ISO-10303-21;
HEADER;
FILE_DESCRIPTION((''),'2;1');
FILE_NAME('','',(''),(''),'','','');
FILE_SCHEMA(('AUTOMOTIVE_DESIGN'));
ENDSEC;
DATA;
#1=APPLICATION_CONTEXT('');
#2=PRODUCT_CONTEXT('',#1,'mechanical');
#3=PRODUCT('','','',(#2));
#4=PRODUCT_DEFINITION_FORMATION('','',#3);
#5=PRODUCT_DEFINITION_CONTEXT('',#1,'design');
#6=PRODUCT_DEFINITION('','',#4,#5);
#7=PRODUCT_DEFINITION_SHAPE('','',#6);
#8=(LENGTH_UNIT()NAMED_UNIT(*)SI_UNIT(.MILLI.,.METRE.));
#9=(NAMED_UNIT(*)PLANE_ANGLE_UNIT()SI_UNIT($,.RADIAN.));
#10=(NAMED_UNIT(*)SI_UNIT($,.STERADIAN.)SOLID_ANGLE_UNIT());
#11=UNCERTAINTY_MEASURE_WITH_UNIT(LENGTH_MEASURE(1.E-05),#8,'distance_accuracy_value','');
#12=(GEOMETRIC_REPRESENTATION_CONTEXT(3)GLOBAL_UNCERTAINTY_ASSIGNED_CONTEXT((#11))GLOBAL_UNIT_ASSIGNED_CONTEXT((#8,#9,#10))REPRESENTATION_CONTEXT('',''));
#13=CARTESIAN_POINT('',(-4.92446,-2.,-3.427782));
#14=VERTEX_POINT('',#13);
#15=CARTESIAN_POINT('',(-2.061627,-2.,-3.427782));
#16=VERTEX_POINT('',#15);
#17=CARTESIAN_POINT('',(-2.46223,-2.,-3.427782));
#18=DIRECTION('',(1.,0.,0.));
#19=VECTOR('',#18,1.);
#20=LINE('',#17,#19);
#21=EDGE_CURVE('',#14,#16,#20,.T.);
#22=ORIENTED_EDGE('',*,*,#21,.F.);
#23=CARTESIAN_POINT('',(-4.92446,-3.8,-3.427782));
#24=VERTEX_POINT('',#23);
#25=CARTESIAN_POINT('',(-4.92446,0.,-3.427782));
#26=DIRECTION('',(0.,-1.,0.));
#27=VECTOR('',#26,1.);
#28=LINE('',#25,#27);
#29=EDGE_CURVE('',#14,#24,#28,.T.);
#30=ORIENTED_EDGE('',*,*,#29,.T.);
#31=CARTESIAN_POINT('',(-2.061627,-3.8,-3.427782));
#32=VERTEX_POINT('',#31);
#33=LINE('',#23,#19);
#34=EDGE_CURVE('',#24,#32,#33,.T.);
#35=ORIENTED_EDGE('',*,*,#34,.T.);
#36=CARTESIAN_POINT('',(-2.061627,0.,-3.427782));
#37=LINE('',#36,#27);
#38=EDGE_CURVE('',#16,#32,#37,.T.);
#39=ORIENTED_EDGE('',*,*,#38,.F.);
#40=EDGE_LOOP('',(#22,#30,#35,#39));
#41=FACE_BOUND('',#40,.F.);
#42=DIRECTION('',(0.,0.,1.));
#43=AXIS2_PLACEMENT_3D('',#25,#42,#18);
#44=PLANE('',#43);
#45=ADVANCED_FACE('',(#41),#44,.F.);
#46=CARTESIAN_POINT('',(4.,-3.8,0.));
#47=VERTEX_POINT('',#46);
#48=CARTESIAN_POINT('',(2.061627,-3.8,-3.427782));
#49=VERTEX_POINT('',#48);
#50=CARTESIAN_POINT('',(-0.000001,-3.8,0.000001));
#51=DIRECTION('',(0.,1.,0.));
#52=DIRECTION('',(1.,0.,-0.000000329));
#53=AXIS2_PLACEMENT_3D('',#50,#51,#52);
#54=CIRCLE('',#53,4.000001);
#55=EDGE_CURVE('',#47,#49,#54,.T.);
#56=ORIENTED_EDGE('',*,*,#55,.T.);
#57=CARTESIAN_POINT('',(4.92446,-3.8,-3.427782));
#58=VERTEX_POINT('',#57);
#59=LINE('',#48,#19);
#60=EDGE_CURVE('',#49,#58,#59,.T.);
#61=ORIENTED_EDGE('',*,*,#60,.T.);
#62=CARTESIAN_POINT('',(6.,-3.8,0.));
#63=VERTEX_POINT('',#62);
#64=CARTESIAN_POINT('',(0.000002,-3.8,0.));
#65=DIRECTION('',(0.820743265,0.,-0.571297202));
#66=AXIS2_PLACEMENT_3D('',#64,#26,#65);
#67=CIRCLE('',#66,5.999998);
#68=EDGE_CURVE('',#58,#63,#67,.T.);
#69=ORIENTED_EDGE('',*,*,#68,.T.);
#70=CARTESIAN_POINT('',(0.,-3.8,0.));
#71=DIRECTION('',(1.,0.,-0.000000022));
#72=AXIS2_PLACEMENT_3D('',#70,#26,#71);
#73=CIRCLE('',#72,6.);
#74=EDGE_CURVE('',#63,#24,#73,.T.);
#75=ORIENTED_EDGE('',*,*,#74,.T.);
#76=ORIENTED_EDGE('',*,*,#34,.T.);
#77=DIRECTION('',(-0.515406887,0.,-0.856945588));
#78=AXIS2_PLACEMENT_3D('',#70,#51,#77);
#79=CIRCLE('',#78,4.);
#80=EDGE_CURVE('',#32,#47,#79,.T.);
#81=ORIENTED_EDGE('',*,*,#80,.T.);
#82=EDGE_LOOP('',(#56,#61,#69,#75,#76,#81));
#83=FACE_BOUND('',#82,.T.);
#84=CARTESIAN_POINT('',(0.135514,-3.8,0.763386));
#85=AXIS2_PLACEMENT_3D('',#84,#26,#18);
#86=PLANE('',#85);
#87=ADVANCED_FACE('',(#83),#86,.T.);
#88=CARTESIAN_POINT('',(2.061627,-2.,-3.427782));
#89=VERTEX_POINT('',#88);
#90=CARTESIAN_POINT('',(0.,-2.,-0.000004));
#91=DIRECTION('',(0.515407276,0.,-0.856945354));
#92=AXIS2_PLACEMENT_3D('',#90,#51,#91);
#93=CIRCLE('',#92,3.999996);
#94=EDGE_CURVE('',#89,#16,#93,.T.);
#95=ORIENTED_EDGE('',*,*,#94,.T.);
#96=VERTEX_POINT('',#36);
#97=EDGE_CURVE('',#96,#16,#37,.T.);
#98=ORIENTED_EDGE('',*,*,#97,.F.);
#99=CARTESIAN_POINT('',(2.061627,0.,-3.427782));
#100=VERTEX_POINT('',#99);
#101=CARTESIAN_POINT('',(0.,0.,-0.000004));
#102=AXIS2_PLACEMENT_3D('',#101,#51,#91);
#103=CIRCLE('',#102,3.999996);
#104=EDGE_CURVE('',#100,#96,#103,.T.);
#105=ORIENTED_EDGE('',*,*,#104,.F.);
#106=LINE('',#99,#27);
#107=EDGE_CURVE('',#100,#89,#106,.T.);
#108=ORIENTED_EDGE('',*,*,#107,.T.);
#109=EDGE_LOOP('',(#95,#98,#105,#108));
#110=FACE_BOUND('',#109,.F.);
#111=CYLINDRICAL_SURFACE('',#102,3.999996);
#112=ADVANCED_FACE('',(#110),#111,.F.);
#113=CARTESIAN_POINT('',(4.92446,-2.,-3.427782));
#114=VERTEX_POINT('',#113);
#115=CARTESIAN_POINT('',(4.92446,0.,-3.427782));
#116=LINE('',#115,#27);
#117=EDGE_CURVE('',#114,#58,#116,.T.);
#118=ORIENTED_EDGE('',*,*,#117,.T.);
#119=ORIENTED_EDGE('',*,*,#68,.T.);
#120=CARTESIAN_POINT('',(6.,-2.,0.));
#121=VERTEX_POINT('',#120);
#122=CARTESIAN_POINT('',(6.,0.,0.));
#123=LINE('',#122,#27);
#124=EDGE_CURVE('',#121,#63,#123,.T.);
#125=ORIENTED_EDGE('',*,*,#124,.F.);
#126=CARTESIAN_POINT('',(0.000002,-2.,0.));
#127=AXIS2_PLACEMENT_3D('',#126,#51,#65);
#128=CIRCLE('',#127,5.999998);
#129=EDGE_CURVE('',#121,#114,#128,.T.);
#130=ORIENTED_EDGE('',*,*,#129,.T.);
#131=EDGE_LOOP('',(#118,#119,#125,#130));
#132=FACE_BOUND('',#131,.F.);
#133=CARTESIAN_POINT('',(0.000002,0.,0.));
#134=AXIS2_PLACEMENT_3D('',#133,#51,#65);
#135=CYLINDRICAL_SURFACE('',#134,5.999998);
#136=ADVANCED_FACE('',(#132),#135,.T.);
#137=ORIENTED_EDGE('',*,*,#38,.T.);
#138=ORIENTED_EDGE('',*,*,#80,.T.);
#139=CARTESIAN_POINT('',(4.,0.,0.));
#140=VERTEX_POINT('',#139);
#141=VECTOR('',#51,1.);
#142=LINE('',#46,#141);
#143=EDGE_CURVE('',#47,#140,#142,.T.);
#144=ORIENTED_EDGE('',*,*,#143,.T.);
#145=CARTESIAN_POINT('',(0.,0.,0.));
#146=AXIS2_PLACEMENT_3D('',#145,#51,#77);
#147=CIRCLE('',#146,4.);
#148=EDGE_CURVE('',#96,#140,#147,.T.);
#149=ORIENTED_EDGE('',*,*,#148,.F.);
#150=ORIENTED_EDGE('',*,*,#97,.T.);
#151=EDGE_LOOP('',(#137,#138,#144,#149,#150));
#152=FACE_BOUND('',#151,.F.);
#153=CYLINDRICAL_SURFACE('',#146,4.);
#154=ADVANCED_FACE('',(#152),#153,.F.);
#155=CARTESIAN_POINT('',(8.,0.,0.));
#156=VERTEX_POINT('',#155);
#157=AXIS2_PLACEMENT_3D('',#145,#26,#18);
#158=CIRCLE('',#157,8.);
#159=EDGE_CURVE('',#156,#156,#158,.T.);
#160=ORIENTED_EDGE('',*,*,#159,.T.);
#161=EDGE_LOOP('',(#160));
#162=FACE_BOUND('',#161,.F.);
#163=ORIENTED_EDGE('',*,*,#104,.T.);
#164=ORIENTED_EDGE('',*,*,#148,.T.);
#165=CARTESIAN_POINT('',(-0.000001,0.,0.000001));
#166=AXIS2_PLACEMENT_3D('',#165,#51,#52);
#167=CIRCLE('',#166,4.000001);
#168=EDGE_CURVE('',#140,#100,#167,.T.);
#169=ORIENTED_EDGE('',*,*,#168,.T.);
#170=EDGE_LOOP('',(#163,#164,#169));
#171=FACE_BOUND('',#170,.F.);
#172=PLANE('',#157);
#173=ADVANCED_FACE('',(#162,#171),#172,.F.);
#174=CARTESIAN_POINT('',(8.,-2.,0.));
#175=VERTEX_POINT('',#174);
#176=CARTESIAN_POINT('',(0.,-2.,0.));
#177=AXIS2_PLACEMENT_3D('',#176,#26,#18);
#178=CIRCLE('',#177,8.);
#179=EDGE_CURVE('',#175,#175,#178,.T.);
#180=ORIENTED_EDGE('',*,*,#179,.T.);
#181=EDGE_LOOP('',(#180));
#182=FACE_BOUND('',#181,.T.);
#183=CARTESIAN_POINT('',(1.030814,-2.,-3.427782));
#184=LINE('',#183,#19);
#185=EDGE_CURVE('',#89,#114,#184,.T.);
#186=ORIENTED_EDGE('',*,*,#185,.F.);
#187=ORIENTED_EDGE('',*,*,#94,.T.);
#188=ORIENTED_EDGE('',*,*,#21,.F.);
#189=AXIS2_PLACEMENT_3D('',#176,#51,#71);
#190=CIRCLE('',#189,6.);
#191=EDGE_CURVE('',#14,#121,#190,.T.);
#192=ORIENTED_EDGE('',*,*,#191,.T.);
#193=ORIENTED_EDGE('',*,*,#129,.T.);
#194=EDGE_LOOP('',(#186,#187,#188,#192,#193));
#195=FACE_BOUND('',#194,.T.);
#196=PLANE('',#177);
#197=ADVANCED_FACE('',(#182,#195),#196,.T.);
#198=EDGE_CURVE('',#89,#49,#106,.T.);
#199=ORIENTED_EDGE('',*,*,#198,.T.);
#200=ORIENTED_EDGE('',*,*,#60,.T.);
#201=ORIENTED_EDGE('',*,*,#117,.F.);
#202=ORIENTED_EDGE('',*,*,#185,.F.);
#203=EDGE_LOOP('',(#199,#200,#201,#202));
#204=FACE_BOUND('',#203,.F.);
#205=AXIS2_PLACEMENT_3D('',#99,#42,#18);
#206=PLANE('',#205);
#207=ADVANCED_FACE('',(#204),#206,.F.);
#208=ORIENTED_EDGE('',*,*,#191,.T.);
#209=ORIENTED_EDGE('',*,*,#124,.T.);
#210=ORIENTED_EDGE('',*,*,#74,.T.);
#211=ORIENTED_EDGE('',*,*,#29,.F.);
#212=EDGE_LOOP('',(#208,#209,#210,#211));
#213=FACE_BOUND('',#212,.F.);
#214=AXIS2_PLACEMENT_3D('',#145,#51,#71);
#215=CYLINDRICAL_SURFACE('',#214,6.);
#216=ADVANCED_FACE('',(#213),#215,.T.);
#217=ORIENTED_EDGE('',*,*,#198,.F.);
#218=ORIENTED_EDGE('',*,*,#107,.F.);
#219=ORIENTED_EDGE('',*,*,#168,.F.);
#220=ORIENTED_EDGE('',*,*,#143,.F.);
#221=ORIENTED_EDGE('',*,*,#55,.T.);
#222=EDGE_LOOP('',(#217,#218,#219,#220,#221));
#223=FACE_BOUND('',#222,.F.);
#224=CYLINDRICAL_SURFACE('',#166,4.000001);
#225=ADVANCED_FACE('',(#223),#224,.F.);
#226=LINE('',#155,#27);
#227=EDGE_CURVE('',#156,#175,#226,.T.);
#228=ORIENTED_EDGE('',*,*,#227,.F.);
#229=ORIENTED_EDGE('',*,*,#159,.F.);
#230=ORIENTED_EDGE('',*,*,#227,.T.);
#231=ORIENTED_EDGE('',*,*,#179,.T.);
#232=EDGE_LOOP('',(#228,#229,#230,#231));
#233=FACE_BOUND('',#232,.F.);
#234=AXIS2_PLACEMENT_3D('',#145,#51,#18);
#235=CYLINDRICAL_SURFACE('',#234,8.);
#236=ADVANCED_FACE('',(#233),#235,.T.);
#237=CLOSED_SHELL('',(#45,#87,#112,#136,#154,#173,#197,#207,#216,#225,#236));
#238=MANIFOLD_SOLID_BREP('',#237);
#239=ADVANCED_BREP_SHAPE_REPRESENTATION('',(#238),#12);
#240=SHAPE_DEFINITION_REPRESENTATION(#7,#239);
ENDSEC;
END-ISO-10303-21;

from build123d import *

# Parameters (mm, degrees)
F1_DEPTH = 3.8
F0_R     = 8
F2_DEPTH = 2


with BuildPart() as f1:
    # F0 (on Front) → F1 (new body)
    with BuildSketch(Plane.XZ):
        with BuildLine():
            ThreePointArc((-2.061627, -3.427782), (-1.968945, 3.481846), (4, 0))
            ThreePointArc((4, 0), (3.481846, -1.968945), (2.061627, -3.427782))
            Line((2.061627, -3.427782), (4.92446, -3.427782))
            ThreePointArc((4.92446, -3.427782), (5.724804, -1.796279), (6, 0))
            ThreePointArc((6, 0), (-1.796279, 5.724804), (-4.92446, -3.427782))
            Line((-4.92446, -3.427782), (-2.061627, -3.427782))
        make_face()
    extrude(amount=F1_DEPTH)

    # F0 (on Front) → F2 (join)
    with BuildSketch(Plane.XZ):
        Circle(F0_R)
        with BuildLine():
            ThreePointArc((4.92446, -3.427782), (0, -6), (-4.92446, -3.427782))
            ThreePointArc((-4.92446, -3.427782), (-1.796279, 5.724804), (6, 0))
            ThreePointArc((6, 0), (5.724804, -1.796279), (4.92446, -3.427782))
        make_face(mode=Mode.SUBTRACT)
        with BuildLine():
            ThreePointArc((-2.061627, -3.427782), (-1.968945, 3.481846), (4, 0))
            ThreePointArc((4, 0), (3.481846, -1.968945), (2.061627, -3.427782))
            Line((2.061627, -3.427782), (4.92446, -3.427782))
            ThreePointArc((4.92446, -3.427782), (5.724804, -1.796279), (6, 0))
            ThreePointArc((6, 0), (-1.796279, 5.724804), (-4.92446, -3.427782))
            Line((-4.92446, -3.427782), (-2.061627, -3.427782))
        make_face()
        with BuildLine():
            ThreePointArc((2.061627, -3.427782), (0, -4), (-2.061627, -3.427782))
            Line((-2.061627, -3.427782), (-4.92446, -3.427782))
            ThreePointArc((-4.92446, -3.427782), (0, -6), (4.92446, -3.427782))
            Line((4.92446, -3.427782), (2.061627, -3.427782))
        make_face()
    extrude(amount=F2_DEPTH)


solid = f1.part
